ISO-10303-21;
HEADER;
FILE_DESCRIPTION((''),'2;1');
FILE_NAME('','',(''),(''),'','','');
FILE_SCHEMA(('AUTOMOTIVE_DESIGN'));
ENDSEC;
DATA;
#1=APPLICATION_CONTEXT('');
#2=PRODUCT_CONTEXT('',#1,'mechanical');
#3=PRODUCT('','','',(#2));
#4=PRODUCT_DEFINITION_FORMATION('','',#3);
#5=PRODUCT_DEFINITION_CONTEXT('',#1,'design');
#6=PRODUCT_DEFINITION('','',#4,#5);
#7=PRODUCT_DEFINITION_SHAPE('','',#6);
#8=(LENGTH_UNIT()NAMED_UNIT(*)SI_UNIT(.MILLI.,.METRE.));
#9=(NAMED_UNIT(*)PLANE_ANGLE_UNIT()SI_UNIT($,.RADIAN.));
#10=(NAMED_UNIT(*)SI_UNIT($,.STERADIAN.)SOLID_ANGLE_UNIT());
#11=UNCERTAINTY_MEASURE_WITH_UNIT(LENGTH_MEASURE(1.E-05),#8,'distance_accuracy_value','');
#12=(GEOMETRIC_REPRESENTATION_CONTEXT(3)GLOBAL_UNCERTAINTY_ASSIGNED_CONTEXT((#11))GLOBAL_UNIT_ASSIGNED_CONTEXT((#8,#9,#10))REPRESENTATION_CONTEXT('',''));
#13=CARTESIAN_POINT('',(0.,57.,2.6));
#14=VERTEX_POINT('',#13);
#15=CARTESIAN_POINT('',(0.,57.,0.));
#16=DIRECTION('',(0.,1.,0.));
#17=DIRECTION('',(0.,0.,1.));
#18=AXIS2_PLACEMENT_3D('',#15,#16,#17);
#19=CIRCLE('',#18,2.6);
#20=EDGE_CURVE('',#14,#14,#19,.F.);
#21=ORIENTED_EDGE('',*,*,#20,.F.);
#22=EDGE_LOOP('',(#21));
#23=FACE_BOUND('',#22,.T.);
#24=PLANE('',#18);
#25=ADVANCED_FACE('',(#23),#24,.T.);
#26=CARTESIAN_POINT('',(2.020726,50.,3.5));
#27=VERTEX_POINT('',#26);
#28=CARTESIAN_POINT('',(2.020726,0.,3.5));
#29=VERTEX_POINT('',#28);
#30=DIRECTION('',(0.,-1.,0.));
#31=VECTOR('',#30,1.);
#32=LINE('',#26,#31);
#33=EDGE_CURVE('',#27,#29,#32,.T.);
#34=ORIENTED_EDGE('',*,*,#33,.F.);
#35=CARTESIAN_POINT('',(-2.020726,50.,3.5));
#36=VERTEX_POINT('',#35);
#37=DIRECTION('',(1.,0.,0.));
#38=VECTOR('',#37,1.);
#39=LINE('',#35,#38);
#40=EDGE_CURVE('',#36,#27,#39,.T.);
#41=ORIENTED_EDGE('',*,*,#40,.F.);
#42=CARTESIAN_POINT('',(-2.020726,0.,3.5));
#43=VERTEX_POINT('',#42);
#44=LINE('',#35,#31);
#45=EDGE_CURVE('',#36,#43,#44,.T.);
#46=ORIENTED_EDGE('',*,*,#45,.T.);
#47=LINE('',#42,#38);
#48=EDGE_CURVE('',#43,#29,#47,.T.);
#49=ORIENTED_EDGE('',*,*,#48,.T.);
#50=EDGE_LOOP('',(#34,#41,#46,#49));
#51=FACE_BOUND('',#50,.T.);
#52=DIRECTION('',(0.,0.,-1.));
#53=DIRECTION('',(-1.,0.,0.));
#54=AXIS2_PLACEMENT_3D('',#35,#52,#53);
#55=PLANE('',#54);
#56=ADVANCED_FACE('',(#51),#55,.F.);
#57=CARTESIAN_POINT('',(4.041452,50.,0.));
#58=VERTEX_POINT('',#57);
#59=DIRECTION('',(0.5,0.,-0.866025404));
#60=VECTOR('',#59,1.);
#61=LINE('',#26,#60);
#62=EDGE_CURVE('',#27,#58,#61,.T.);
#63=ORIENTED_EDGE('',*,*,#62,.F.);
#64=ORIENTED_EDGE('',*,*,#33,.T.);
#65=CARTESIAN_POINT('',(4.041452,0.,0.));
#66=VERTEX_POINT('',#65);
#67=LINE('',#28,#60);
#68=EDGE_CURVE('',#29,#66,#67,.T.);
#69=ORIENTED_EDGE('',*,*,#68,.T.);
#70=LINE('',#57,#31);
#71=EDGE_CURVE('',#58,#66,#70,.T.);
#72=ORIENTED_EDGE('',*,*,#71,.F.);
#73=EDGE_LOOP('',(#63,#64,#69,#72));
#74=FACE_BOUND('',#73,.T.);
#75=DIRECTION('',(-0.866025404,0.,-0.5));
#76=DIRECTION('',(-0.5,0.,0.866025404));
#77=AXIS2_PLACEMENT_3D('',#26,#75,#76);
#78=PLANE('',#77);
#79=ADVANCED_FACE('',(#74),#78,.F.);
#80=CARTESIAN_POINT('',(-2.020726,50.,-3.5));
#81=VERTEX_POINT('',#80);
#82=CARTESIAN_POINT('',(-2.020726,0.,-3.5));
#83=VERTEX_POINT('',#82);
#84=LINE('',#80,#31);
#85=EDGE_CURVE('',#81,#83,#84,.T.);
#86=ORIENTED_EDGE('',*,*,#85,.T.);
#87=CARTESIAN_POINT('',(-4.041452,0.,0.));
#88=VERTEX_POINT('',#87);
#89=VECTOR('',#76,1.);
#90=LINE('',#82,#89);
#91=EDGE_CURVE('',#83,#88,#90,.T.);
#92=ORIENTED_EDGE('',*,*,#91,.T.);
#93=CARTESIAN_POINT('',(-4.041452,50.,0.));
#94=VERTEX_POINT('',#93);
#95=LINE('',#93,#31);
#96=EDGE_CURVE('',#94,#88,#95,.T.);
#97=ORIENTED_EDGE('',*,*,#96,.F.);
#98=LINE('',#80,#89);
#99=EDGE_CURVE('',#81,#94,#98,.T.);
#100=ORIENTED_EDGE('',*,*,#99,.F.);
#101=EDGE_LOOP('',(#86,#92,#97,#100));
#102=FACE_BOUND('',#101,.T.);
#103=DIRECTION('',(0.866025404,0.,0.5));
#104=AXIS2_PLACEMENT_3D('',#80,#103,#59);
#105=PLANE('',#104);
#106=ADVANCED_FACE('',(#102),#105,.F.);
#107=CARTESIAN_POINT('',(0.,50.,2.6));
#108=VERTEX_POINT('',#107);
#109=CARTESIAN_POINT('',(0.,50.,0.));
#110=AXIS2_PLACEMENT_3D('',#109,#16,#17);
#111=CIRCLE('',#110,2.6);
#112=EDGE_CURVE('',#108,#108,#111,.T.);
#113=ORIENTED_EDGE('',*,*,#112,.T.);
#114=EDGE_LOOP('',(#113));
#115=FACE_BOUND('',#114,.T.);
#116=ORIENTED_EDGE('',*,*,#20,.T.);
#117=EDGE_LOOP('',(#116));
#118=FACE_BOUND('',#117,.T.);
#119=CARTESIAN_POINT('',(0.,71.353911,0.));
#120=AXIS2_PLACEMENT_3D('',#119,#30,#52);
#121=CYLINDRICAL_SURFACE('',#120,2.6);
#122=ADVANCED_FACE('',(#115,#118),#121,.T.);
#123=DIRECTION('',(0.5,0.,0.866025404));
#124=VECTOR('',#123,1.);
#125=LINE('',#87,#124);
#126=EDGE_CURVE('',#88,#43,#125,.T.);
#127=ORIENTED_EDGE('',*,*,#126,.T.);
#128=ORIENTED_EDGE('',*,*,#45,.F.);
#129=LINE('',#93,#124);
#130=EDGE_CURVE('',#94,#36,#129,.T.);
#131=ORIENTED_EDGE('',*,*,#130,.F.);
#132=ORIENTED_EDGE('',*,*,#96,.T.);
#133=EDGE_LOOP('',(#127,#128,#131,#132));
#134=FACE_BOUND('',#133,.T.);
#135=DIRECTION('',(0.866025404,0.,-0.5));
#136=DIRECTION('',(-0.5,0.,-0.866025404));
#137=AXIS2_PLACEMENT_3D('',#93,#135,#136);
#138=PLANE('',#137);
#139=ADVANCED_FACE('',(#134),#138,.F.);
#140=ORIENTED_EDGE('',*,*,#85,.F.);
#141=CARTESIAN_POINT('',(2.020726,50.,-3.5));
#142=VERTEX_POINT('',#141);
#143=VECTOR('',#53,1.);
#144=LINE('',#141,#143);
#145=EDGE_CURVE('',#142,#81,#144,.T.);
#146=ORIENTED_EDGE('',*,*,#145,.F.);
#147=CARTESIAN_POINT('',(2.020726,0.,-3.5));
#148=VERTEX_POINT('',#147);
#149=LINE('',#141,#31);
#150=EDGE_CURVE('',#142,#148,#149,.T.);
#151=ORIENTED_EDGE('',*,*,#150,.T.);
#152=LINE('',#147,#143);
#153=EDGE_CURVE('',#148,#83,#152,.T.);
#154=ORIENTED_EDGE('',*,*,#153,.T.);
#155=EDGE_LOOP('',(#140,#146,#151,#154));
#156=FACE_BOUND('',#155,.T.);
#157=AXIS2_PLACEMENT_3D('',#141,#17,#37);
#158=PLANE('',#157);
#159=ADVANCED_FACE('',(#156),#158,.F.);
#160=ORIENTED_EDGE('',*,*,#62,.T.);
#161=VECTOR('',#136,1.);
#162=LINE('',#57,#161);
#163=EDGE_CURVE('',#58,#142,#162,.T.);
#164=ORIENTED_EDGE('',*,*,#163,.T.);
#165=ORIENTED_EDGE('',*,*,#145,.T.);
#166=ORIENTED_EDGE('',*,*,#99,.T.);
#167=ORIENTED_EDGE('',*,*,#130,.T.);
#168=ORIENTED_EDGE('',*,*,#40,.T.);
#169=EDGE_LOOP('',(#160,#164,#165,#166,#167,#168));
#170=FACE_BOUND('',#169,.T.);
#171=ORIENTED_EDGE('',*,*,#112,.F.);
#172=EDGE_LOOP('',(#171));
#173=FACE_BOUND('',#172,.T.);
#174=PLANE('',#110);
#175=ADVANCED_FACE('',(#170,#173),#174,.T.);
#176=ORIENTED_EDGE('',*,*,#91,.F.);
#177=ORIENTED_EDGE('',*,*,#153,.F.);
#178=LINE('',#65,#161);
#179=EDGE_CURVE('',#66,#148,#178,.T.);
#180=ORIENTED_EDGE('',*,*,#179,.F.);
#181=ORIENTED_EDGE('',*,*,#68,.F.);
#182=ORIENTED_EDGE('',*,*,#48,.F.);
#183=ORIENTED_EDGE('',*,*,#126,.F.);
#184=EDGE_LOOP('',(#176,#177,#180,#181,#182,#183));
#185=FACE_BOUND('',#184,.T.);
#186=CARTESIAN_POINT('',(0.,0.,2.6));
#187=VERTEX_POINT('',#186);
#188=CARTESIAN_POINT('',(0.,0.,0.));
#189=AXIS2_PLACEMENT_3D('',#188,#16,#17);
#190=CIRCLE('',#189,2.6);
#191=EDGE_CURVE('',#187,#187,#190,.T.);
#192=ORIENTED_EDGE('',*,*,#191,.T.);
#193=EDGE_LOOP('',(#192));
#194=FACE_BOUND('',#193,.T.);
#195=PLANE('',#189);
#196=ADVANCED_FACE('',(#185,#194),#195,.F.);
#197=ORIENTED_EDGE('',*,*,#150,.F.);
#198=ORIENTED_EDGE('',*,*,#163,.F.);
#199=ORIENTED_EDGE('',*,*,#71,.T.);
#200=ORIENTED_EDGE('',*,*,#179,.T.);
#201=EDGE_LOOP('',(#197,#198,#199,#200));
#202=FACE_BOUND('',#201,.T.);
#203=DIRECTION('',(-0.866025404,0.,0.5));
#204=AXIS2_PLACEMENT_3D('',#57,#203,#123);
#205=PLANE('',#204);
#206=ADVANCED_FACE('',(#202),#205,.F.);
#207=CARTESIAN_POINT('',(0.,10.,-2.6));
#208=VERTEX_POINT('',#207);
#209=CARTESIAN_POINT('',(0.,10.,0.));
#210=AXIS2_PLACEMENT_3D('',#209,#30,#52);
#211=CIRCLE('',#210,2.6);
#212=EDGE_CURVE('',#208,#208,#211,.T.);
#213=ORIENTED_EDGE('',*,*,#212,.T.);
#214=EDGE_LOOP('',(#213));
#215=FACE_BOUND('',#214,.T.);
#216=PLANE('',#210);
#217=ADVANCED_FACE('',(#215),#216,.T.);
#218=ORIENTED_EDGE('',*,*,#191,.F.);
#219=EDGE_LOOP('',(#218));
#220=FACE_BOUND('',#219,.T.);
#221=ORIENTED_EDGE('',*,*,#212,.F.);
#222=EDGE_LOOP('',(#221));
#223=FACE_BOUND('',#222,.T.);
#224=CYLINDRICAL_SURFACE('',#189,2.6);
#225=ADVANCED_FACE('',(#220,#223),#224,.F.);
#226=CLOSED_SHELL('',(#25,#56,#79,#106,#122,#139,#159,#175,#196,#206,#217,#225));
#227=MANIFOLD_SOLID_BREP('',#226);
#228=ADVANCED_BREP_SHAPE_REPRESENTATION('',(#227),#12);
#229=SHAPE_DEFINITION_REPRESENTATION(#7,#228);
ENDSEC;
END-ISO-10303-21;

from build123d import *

# Parameters (mm, degrees)
EXTRUDE_1_DEPTH     = 50
SKETCH_2_R          = 2.6
CUT_EXTRUDE_1_DEPTH = 51
SKETCH_3_R          = 2.6
EXTRUDE_2_DEPTH     = 47


with BuildPart() as part:
    # 草图1 → 凸台-拉伸1 (new body)
    with BuildSketch(Plane(origin=(0, 0, 0), x_dir=(1, 0, 0), z_dir=(0, 1, 0))):
        Polygon((4.041451884, 0), (2.020725942, 3.5), (-2.020725942, 3.5), (-4.041451884, 0), (-2.020725942, -3.5), (2.020725942, -3.5), align=None)
    extrude(amount=EXTRUDE_1_DEPTH)

    # 草图2 → 切除-拉伸1 (cut, through all)
    with BuildSketch(Plane(origin=(0, 50, 0), x_dir=(1, 0, 0), z_dir=(0, 1, 0))):
        Circle(SKETCH_2_R)
    extrude(amount=-CUT_EXTRUDE_1_DEPTH, mode=Mode.SUBTRACT)

    # 草图3 → 凸台-拉伸2 (add)
    with BuildSketch(Plane(origin=(0, 10, 0), x_dir=(-1, 0, 0), z_dir=(0, -1, 0))):
        Circle(SKETCH_3_R)
    extrude(amount=-EXTRUDE_2_DEPTH)


solid = part.part
